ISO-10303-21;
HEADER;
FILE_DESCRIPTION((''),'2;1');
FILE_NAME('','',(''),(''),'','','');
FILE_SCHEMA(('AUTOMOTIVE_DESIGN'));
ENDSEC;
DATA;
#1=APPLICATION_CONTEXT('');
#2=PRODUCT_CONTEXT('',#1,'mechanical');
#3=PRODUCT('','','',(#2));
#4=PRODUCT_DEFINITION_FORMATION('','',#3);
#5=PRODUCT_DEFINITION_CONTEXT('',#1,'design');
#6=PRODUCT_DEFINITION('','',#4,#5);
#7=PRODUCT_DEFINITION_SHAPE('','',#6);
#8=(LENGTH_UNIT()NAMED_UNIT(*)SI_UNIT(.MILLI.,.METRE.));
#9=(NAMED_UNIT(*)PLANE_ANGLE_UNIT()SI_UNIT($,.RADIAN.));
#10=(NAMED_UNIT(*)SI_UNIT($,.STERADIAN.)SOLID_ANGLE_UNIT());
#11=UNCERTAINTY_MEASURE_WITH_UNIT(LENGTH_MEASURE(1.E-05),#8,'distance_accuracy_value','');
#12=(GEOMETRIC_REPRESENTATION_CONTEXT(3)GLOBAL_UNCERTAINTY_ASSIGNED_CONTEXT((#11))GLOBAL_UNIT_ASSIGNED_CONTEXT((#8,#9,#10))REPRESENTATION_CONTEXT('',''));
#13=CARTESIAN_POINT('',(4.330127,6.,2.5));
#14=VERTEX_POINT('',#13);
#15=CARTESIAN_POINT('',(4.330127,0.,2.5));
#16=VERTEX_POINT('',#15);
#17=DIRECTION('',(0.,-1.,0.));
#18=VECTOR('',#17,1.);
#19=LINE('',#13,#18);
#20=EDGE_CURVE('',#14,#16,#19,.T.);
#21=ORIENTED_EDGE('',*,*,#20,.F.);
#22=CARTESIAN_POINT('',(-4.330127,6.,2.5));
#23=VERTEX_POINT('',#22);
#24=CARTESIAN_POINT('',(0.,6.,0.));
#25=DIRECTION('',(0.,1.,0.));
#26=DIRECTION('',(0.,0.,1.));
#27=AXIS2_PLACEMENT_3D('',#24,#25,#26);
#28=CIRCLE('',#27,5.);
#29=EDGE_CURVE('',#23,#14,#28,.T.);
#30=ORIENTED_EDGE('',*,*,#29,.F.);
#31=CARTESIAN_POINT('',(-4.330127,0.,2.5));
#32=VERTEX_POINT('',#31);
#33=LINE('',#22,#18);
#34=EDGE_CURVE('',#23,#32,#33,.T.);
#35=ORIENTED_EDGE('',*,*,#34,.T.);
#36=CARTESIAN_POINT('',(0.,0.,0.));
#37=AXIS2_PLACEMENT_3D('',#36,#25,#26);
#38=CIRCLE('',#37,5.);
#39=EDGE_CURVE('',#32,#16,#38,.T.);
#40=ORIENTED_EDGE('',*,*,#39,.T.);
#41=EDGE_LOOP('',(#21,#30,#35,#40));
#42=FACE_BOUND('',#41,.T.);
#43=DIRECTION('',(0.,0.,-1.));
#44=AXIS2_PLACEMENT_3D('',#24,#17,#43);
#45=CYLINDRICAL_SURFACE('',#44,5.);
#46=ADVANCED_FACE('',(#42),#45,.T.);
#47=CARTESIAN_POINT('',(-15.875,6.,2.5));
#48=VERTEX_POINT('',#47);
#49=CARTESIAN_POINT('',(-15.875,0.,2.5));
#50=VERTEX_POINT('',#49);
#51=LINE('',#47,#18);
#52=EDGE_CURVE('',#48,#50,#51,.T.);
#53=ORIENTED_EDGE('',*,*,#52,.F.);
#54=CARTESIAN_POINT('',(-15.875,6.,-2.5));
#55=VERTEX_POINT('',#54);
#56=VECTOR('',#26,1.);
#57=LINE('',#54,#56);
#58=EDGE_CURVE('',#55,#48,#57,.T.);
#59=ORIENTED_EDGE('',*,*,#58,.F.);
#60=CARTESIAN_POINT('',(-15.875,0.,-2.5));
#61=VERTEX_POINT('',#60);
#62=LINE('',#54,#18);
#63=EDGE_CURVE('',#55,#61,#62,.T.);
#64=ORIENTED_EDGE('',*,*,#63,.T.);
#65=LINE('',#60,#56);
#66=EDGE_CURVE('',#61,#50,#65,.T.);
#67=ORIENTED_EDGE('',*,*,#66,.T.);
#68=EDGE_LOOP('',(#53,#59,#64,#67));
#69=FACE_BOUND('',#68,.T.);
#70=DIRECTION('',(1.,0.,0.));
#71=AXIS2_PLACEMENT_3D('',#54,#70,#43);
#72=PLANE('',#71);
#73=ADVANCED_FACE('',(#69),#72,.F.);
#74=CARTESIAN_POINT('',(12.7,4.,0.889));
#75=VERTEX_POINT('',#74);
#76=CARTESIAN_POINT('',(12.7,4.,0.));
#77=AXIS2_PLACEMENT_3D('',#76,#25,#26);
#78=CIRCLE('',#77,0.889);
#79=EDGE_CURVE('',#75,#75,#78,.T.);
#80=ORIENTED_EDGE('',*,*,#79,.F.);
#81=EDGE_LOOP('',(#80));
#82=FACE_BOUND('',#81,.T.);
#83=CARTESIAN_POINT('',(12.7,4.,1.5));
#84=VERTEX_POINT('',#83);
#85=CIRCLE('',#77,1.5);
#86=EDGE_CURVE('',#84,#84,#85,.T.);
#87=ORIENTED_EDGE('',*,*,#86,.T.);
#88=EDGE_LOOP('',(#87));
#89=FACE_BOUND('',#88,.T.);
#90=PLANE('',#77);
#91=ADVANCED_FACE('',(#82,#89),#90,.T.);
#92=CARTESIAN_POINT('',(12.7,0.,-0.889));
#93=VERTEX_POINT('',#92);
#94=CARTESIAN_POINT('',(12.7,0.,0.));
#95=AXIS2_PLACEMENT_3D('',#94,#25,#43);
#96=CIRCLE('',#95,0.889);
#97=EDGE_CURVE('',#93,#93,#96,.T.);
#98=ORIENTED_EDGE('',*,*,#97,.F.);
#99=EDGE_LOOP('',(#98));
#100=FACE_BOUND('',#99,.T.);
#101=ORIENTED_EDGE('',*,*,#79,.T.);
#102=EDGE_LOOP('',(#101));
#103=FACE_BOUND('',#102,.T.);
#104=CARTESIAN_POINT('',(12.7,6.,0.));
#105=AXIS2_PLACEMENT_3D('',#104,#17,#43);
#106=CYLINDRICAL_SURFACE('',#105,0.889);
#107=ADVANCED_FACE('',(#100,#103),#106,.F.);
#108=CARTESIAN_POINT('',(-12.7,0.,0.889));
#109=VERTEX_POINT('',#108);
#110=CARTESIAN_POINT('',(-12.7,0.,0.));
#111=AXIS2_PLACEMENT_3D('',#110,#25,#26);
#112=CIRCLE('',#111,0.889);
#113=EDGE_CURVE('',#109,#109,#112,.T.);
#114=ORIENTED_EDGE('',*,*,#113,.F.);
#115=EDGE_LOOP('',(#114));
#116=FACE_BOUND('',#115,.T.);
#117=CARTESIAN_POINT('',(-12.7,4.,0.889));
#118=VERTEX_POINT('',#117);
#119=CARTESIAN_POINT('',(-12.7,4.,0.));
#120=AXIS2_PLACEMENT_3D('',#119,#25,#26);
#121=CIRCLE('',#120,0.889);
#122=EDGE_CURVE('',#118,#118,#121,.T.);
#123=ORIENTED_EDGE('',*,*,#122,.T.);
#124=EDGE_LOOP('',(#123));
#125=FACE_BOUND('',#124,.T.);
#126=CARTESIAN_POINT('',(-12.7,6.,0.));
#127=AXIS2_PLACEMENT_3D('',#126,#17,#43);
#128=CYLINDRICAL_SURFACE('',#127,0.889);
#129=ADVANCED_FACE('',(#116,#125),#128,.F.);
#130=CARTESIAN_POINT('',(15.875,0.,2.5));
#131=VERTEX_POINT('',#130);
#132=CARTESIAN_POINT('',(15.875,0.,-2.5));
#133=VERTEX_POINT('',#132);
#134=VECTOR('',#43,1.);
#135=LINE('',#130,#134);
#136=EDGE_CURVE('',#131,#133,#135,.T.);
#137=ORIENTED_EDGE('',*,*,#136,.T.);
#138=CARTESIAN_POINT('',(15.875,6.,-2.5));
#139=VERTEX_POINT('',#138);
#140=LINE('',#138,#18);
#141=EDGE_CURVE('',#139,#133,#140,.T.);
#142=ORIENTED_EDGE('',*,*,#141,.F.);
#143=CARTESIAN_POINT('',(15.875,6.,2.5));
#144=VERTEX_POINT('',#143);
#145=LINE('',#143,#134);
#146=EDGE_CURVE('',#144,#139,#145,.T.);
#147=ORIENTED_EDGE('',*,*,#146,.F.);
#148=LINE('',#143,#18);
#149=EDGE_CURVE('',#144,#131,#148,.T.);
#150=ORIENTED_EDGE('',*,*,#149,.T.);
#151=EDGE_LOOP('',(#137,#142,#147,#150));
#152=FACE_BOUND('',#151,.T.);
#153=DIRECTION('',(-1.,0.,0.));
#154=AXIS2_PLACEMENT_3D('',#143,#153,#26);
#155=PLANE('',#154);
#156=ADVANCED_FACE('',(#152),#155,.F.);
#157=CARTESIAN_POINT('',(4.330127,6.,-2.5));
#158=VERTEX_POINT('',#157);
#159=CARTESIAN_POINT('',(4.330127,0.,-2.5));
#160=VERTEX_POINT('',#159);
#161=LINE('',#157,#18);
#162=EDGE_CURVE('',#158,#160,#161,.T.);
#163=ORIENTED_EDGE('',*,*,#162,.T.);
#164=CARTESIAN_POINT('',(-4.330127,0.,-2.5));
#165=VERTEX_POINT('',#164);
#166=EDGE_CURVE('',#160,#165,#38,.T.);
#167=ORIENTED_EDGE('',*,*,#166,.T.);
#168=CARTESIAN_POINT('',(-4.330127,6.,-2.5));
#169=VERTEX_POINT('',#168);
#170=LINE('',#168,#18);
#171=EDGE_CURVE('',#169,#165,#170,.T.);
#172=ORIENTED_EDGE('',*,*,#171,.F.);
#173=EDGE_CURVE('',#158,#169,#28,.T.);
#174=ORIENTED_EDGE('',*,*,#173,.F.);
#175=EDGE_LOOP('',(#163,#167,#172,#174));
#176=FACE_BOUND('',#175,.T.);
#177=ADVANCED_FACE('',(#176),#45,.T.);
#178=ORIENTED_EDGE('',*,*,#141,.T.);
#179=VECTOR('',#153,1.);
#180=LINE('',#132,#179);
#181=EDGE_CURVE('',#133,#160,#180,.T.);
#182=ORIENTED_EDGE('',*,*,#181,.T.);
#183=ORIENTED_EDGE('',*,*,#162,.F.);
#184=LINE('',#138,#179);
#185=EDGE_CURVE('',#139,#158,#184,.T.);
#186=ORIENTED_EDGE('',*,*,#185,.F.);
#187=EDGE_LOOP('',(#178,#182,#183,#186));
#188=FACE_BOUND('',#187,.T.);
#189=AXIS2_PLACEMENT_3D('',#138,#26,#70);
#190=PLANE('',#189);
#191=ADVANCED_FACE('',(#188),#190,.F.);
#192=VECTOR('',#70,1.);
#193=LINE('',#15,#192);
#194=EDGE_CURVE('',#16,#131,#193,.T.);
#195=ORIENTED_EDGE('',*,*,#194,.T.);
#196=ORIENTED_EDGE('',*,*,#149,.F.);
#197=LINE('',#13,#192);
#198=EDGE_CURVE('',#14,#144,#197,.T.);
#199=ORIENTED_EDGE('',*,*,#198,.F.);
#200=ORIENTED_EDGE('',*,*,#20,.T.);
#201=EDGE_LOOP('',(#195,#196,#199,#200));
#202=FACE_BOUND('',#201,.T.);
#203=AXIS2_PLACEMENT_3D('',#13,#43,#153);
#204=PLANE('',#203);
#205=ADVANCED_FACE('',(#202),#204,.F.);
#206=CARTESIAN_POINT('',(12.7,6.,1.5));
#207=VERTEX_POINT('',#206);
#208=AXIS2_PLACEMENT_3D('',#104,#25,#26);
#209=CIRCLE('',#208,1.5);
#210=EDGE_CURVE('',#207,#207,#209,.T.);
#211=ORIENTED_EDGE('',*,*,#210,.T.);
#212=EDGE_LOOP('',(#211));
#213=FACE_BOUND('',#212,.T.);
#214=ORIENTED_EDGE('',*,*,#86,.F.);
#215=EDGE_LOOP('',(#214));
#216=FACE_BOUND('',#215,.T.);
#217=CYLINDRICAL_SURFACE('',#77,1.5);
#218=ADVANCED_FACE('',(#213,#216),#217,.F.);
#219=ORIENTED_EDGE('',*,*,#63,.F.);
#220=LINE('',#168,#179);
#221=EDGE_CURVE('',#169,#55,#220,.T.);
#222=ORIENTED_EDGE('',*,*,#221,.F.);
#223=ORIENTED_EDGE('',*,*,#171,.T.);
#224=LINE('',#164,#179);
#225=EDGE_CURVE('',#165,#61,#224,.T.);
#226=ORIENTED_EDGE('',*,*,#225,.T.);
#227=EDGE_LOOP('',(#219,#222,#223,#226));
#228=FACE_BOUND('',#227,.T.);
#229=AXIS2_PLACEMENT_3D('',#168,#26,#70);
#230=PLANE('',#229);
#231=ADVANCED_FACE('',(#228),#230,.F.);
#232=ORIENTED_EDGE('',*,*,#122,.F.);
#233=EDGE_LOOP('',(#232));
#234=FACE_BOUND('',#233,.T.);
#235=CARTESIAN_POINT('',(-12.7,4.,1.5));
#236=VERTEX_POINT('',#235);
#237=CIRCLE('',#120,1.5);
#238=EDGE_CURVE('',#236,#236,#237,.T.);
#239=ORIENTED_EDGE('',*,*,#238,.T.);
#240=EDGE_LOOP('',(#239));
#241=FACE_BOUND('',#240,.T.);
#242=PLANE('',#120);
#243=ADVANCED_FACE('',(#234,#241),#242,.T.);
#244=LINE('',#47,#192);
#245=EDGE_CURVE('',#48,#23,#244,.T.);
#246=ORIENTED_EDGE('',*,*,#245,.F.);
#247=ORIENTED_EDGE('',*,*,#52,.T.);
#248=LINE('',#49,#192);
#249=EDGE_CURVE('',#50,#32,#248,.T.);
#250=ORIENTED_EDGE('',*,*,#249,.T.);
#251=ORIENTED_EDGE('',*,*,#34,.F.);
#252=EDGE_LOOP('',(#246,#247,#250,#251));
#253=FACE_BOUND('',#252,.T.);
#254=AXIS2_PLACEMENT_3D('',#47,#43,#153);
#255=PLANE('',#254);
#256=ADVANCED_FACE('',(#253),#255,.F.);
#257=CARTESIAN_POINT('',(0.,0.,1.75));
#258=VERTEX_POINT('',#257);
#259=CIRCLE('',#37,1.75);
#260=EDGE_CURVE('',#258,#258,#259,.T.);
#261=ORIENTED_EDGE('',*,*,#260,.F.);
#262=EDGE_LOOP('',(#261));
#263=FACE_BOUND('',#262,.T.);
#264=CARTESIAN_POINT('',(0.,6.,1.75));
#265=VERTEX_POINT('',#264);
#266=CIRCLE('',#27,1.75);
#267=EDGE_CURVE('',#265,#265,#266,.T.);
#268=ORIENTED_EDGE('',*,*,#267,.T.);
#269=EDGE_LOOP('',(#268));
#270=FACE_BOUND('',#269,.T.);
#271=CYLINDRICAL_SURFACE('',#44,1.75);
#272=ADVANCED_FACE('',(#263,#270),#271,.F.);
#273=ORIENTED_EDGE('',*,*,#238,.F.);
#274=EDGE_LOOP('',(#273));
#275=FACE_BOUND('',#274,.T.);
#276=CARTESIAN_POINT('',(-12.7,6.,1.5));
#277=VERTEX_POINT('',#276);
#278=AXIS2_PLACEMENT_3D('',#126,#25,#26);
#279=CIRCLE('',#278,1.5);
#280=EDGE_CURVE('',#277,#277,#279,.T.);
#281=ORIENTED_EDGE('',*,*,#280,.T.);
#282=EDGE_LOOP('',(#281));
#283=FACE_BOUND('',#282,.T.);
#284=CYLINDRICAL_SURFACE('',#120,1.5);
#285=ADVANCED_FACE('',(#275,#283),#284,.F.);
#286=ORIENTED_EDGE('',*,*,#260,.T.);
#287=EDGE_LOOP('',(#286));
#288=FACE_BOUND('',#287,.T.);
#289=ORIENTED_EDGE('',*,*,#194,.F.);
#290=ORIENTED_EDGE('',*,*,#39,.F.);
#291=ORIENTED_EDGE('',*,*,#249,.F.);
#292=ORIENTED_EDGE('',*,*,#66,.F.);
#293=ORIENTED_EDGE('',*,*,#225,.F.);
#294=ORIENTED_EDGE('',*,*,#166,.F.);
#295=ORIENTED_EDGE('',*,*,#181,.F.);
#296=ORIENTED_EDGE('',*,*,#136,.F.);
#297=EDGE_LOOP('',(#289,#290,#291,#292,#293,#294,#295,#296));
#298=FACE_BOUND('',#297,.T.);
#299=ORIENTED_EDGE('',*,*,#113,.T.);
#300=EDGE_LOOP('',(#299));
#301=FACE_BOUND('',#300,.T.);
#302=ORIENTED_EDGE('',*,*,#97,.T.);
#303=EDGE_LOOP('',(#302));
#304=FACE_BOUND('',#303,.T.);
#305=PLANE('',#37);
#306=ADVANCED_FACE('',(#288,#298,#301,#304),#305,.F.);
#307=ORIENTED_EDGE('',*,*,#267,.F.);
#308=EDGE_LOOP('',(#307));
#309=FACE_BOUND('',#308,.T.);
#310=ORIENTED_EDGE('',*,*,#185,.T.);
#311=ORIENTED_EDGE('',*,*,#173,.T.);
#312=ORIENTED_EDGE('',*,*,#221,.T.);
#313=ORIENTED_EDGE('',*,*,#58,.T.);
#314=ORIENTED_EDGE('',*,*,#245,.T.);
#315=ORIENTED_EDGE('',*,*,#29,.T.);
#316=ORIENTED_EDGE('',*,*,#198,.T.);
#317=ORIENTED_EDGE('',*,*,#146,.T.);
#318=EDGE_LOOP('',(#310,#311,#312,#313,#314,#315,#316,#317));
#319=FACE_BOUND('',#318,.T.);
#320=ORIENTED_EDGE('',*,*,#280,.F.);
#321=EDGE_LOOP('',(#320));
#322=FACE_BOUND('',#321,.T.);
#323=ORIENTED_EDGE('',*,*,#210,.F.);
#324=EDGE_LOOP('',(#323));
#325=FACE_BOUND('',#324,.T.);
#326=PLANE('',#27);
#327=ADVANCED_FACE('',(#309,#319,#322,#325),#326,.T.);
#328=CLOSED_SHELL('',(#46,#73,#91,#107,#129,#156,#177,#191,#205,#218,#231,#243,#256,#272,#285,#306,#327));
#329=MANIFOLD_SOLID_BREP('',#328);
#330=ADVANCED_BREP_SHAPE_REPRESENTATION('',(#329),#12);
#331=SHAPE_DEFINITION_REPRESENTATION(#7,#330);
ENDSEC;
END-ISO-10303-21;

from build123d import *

# Parameters (mm, degrees)
SKETCH1_R           = 0.889
SKETCH1_R_2         = 1.75
BOSS_EXTRUDE1_DEPTH = 6
SKETCH2_R           = 1.5
CUT_EXTRUDE1_DEPTH  = 2


with BuildPart() as part:
    # Sketch1 → Boss-Extrude1 (new body)
    with BuildSketch(Plane(origin=(0, 0, 0), x_dir=(1, 0, 0), z_dir=(0, 1, 0))):
        with BuildLine():
            Line((-15.875, 2.5), (-15.875, -2.5))
            Line((-15.875, -2.5), (-4.330127019, -2.5))
            ThreePointArc((-4.330127019, -2.5), (0, -5), (4.330127019, -2.5))
            Line((4.330127019, -2.5), (15.875, -2.5))
            Line((15.875, -2.5), (15.875, 2.5))
            Line((15.875, 2.5), (4.330127019, 2.5))
            ThreePointArc((4.330127019, 2.5), (0, 5), (-4.330127019, 2.5))
            Line((-4.330127019, 2.5), (-15.875, 2.5))
        make_face()
        with Locations(Location((-12.7, 0, 0), (0, 0, 270))):
            Circle(SKETCH1_R, mode=Mode.SUBTRACT)
        with Locations(Location((0, 0, 0), (0, 0, 270))):
            Circle(SKETCH1_R_2, mode=Mode.SUBTRACT)
        with Locations(Location((12.7, 0, 0), (0, 0, 90))):
            Circle(SKETCH1_R, mode=Mode.SUBTRACT)
    extrude(amount=BOSS_EXTRUDE1_DEPTH)

    # Sketch2 → Cut-Extrude1 (cut)
    with BuildSketch(Plane(origin=(0, 6, 0), x_dir=(1, 0, 0), z_dir=(0, 1, 0))):
        with Locations(Location((-12.7, 0, 0), (0, 0, 270))):
            Circle(SKETCH2_R)
        with Locations(Location((12.7, 0, 0), (0, 0, 270))):
            Circle(SKETCH2_R)
    extrude(amount=-CUT_EXTRUDE1_DEPTH, mode=Mode.SUBTRACT)


solid = part.part
